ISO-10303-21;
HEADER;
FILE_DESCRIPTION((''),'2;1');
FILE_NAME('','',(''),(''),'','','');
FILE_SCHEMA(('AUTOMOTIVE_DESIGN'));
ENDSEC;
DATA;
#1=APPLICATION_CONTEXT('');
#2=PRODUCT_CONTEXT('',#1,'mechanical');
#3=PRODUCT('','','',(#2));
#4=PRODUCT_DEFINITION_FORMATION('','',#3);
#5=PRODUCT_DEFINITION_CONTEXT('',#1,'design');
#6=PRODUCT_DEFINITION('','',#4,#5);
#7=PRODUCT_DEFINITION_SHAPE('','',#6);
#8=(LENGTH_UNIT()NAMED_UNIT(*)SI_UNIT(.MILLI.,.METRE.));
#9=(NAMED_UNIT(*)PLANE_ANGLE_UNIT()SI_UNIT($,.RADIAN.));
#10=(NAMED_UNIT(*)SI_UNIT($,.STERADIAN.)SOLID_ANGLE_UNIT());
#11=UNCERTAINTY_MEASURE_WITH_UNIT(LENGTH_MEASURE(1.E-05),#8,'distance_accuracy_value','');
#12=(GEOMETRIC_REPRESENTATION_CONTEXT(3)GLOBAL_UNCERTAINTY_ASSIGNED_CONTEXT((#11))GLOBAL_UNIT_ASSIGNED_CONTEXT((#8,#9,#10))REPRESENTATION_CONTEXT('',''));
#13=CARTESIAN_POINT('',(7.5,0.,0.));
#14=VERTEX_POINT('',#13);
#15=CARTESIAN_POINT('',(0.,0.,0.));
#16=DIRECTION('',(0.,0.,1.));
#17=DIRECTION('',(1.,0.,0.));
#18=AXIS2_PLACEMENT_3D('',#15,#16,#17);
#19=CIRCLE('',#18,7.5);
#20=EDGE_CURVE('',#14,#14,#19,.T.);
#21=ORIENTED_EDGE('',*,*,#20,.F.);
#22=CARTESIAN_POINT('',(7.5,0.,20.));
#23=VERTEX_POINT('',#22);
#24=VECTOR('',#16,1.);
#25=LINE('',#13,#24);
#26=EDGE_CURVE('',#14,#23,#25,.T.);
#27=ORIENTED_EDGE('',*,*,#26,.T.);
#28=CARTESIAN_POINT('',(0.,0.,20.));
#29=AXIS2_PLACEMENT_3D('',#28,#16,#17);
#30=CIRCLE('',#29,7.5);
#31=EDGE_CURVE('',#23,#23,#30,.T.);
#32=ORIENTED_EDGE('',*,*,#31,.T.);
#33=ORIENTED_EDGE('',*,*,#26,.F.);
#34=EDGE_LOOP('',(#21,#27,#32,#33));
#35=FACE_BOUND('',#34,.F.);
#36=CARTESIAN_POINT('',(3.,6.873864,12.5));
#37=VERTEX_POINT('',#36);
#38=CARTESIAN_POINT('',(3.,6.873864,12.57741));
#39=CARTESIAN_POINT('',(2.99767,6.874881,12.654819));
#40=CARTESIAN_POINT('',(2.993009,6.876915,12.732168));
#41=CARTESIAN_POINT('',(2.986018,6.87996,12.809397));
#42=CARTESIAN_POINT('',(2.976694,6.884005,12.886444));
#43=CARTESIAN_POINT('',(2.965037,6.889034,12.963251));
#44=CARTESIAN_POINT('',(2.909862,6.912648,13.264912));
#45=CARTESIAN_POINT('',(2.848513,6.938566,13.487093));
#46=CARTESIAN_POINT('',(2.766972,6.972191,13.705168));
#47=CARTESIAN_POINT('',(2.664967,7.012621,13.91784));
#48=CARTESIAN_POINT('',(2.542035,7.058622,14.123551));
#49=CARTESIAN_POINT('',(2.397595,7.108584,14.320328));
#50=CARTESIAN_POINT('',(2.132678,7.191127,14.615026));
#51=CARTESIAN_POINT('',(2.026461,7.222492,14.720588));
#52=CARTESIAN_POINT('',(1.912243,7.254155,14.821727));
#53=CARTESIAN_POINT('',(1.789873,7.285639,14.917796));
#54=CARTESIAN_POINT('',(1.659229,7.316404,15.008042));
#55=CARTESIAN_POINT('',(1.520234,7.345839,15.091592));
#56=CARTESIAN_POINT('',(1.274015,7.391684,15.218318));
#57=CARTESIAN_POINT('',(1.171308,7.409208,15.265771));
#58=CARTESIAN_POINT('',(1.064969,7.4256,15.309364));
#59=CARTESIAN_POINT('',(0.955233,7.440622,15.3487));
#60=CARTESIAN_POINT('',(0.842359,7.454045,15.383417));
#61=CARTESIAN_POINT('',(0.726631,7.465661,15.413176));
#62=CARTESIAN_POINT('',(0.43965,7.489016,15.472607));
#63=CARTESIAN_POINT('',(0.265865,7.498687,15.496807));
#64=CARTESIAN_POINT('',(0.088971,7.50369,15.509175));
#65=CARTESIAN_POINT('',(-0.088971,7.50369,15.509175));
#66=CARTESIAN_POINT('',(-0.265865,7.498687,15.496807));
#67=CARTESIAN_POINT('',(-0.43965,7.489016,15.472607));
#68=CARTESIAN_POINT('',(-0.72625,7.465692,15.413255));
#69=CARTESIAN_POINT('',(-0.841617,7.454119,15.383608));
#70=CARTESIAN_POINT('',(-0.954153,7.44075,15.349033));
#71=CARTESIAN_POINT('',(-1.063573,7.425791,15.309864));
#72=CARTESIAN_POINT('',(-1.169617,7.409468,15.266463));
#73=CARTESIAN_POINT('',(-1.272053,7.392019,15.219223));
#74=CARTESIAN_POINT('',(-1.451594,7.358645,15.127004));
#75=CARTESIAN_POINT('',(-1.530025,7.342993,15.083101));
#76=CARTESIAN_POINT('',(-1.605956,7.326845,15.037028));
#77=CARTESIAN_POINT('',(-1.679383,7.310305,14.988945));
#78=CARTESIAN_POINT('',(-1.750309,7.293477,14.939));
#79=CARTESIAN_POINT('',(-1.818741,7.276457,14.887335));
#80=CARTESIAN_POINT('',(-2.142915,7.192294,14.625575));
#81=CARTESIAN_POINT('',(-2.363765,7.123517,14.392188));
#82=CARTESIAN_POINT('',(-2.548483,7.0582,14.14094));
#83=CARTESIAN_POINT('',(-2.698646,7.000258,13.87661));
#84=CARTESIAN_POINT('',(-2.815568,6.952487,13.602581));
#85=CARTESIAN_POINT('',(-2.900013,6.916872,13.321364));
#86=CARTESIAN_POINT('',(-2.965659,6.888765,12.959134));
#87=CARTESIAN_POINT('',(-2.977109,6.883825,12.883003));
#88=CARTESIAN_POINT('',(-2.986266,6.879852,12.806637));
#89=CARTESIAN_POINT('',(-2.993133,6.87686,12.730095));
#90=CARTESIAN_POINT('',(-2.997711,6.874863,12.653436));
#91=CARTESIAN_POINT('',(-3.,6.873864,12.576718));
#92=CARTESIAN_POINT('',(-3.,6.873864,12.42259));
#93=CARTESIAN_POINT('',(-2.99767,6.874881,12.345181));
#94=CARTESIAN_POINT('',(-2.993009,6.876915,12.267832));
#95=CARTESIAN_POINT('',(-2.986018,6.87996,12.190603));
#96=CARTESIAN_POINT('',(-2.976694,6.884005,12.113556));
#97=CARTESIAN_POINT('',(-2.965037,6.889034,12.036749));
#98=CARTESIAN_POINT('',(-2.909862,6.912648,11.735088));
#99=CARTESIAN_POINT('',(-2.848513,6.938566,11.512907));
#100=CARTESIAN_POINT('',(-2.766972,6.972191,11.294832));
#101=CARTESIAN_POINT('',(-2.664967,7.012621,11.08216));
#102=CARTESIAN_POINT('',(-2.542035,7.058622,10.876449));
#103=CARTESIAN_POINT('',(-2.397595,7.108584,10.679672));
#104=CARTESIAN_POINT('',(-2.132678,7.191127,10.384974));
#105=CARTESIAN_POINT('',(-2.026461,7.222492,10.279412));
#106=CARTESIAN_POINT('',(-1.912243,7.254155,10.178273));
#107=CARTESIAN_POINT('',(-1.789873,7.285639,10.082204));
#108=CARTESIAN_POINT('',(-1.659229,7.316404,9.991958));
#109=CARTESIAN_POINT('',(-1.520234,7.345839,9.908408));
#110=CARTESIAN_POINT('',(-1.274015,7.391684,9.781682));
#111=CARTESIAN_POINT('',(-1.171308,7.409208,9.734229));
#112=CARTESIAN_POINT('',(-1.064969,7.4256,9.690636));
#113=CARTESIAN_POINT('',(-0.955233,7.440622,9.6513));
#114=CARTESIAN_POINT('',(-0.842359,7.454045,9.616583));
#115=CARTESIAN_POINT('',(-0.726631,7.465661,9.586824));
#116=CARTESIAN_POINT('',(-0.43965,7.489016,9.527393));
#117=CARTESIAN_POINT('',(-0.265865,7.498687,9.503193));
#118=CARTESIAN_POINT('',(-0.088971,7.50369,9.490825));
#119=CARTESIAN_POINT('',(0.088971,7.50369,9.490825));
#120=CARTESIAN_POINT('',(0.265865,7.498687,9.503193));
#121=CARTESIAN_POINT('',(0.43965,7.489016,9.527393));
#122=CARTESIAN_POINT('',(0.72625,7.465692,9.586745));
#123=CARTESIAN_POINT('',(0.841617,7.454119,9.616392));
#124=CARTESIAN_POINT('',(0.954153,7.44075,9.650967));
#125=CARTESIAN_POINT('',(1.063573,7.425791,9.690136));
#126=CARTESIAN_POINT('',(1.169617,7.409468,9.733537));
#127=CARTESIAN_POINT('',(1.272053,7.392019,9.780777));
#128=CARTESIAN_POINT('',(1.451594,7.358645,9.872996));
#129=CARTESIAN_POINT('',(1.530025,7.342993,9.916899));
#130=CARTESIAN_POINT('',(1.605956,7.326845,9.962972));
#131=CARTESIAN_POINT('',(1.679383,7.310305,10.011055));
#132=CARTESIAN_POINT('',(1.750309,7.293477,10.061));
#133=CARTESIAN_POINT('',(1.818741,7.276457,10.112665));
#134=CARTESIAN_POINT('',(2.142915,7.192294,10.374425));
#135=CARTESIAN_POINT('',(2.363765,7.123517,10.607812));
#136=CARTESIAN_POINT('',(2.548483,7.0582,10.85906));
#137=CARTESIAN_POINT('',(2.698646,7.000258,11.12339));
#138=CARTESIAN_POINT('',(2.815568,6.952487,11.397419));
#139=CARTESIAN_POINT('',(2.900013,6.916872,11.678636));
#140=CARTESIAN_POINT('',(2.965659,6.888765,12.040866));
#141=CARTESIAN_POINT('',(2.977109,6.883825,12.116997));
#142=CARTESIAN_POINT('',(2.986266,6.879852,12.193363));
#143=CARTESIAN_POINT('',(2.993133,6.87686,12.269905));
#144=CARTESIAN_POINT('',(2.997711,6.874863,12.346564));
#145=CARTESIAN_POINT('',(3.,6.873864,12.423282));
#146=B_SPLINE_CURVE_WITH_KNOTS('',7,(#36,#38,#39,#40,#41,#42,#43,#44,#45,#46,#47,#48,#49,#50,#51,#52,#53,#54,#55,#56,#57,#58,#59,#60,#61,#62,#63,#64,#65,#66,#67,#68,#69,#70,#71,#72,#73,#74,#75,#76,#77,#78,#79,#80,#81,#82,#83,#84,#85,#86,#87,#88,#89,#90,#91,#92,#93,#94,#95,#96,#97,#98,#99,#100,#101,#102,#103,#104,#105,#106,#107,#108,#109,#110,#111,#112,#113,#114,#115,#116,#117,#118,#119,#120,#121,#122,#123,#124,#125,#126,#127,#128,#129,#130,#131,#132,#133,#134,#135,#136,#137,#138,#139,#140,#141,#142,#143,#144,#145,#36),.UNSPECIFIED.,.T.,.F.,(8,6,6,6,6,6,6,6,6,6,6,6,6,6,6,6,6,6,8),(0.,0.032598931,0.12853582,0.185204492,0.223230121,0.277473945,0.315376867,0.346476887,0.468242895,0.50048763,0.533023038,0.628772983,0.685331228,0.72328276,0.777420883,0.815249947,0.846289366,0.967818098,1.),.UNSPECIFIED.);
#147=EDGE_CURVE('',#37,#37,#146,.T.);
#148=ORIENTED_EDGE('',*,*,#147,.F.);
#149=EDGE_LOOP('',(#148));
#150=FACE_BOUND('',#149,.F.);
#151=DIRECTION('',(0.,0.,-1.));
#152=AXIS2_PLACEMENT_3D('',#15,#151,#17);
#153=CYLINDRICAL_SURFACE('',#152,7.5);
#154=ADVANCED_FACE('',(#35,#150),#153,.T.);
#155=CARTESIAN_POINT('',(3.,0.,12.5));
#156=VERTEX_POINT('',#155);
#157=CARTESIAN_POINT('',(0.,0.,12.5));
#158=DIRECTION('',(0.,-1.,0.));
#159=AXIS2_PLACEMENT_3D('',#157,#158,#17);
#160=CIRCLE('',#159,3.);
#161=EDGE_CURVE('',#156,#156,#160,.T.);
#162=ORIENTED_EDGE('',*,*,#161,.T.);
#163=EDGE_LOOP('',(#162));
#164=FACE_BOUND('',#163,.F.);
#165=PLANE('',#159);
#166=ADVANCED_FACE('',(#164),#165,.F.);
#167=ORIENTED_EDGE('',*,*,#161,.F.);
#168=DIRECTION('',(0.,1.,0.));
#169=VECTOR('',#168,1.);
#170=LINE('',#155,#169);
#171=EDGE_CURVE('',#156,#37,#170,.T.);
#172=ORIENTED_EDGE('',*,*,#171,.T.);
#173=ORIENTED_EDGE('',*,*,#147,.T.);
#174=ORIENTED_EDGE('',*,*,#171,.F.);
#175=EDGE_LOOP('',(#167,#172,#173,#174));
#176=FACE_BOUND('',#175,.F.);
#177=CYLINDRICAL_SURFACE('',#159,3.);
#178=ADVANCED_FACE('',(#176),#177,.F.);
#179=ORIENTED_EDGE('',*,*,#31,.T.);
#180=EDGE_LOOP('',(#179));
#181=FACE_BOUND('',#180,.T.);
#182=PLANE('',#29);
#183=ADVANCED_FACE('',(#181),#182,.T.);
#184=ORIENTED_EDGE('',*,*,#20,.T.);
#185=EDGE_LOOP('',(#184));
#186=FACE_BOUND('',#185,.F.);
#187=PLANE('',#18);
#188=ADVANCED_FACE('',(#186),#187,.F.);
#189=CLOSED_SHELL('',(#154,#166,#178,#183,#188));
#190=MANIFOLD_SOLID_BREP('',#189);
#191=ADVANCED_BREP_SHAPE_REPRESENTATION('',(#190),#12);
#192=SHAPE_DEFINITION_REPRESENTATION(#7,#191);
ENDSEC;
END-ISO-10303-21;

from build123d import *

# Parameters (mm, degrees)
F0_R     = 7.5
F1_DEPTH = 20
F2_R     = 3
F3_DEPTH = 25


with BuildPart() as f1:
    # F0 (on Top) → F1 (new body)
    with BuildSketch(Plane.XY):
        Circle(F0_R)
    extrude(amount=F1_DEPTH)

    # F2 (on Front) → F3 (cut)
    with BuildSketch(Plane.XZ):
        with Locations((0, 12.5)):
            Circle(F2_R)
    extrude(amount=-F3_DEPTH, mode=Mode.SUBTRACT)


solid = f1.part
